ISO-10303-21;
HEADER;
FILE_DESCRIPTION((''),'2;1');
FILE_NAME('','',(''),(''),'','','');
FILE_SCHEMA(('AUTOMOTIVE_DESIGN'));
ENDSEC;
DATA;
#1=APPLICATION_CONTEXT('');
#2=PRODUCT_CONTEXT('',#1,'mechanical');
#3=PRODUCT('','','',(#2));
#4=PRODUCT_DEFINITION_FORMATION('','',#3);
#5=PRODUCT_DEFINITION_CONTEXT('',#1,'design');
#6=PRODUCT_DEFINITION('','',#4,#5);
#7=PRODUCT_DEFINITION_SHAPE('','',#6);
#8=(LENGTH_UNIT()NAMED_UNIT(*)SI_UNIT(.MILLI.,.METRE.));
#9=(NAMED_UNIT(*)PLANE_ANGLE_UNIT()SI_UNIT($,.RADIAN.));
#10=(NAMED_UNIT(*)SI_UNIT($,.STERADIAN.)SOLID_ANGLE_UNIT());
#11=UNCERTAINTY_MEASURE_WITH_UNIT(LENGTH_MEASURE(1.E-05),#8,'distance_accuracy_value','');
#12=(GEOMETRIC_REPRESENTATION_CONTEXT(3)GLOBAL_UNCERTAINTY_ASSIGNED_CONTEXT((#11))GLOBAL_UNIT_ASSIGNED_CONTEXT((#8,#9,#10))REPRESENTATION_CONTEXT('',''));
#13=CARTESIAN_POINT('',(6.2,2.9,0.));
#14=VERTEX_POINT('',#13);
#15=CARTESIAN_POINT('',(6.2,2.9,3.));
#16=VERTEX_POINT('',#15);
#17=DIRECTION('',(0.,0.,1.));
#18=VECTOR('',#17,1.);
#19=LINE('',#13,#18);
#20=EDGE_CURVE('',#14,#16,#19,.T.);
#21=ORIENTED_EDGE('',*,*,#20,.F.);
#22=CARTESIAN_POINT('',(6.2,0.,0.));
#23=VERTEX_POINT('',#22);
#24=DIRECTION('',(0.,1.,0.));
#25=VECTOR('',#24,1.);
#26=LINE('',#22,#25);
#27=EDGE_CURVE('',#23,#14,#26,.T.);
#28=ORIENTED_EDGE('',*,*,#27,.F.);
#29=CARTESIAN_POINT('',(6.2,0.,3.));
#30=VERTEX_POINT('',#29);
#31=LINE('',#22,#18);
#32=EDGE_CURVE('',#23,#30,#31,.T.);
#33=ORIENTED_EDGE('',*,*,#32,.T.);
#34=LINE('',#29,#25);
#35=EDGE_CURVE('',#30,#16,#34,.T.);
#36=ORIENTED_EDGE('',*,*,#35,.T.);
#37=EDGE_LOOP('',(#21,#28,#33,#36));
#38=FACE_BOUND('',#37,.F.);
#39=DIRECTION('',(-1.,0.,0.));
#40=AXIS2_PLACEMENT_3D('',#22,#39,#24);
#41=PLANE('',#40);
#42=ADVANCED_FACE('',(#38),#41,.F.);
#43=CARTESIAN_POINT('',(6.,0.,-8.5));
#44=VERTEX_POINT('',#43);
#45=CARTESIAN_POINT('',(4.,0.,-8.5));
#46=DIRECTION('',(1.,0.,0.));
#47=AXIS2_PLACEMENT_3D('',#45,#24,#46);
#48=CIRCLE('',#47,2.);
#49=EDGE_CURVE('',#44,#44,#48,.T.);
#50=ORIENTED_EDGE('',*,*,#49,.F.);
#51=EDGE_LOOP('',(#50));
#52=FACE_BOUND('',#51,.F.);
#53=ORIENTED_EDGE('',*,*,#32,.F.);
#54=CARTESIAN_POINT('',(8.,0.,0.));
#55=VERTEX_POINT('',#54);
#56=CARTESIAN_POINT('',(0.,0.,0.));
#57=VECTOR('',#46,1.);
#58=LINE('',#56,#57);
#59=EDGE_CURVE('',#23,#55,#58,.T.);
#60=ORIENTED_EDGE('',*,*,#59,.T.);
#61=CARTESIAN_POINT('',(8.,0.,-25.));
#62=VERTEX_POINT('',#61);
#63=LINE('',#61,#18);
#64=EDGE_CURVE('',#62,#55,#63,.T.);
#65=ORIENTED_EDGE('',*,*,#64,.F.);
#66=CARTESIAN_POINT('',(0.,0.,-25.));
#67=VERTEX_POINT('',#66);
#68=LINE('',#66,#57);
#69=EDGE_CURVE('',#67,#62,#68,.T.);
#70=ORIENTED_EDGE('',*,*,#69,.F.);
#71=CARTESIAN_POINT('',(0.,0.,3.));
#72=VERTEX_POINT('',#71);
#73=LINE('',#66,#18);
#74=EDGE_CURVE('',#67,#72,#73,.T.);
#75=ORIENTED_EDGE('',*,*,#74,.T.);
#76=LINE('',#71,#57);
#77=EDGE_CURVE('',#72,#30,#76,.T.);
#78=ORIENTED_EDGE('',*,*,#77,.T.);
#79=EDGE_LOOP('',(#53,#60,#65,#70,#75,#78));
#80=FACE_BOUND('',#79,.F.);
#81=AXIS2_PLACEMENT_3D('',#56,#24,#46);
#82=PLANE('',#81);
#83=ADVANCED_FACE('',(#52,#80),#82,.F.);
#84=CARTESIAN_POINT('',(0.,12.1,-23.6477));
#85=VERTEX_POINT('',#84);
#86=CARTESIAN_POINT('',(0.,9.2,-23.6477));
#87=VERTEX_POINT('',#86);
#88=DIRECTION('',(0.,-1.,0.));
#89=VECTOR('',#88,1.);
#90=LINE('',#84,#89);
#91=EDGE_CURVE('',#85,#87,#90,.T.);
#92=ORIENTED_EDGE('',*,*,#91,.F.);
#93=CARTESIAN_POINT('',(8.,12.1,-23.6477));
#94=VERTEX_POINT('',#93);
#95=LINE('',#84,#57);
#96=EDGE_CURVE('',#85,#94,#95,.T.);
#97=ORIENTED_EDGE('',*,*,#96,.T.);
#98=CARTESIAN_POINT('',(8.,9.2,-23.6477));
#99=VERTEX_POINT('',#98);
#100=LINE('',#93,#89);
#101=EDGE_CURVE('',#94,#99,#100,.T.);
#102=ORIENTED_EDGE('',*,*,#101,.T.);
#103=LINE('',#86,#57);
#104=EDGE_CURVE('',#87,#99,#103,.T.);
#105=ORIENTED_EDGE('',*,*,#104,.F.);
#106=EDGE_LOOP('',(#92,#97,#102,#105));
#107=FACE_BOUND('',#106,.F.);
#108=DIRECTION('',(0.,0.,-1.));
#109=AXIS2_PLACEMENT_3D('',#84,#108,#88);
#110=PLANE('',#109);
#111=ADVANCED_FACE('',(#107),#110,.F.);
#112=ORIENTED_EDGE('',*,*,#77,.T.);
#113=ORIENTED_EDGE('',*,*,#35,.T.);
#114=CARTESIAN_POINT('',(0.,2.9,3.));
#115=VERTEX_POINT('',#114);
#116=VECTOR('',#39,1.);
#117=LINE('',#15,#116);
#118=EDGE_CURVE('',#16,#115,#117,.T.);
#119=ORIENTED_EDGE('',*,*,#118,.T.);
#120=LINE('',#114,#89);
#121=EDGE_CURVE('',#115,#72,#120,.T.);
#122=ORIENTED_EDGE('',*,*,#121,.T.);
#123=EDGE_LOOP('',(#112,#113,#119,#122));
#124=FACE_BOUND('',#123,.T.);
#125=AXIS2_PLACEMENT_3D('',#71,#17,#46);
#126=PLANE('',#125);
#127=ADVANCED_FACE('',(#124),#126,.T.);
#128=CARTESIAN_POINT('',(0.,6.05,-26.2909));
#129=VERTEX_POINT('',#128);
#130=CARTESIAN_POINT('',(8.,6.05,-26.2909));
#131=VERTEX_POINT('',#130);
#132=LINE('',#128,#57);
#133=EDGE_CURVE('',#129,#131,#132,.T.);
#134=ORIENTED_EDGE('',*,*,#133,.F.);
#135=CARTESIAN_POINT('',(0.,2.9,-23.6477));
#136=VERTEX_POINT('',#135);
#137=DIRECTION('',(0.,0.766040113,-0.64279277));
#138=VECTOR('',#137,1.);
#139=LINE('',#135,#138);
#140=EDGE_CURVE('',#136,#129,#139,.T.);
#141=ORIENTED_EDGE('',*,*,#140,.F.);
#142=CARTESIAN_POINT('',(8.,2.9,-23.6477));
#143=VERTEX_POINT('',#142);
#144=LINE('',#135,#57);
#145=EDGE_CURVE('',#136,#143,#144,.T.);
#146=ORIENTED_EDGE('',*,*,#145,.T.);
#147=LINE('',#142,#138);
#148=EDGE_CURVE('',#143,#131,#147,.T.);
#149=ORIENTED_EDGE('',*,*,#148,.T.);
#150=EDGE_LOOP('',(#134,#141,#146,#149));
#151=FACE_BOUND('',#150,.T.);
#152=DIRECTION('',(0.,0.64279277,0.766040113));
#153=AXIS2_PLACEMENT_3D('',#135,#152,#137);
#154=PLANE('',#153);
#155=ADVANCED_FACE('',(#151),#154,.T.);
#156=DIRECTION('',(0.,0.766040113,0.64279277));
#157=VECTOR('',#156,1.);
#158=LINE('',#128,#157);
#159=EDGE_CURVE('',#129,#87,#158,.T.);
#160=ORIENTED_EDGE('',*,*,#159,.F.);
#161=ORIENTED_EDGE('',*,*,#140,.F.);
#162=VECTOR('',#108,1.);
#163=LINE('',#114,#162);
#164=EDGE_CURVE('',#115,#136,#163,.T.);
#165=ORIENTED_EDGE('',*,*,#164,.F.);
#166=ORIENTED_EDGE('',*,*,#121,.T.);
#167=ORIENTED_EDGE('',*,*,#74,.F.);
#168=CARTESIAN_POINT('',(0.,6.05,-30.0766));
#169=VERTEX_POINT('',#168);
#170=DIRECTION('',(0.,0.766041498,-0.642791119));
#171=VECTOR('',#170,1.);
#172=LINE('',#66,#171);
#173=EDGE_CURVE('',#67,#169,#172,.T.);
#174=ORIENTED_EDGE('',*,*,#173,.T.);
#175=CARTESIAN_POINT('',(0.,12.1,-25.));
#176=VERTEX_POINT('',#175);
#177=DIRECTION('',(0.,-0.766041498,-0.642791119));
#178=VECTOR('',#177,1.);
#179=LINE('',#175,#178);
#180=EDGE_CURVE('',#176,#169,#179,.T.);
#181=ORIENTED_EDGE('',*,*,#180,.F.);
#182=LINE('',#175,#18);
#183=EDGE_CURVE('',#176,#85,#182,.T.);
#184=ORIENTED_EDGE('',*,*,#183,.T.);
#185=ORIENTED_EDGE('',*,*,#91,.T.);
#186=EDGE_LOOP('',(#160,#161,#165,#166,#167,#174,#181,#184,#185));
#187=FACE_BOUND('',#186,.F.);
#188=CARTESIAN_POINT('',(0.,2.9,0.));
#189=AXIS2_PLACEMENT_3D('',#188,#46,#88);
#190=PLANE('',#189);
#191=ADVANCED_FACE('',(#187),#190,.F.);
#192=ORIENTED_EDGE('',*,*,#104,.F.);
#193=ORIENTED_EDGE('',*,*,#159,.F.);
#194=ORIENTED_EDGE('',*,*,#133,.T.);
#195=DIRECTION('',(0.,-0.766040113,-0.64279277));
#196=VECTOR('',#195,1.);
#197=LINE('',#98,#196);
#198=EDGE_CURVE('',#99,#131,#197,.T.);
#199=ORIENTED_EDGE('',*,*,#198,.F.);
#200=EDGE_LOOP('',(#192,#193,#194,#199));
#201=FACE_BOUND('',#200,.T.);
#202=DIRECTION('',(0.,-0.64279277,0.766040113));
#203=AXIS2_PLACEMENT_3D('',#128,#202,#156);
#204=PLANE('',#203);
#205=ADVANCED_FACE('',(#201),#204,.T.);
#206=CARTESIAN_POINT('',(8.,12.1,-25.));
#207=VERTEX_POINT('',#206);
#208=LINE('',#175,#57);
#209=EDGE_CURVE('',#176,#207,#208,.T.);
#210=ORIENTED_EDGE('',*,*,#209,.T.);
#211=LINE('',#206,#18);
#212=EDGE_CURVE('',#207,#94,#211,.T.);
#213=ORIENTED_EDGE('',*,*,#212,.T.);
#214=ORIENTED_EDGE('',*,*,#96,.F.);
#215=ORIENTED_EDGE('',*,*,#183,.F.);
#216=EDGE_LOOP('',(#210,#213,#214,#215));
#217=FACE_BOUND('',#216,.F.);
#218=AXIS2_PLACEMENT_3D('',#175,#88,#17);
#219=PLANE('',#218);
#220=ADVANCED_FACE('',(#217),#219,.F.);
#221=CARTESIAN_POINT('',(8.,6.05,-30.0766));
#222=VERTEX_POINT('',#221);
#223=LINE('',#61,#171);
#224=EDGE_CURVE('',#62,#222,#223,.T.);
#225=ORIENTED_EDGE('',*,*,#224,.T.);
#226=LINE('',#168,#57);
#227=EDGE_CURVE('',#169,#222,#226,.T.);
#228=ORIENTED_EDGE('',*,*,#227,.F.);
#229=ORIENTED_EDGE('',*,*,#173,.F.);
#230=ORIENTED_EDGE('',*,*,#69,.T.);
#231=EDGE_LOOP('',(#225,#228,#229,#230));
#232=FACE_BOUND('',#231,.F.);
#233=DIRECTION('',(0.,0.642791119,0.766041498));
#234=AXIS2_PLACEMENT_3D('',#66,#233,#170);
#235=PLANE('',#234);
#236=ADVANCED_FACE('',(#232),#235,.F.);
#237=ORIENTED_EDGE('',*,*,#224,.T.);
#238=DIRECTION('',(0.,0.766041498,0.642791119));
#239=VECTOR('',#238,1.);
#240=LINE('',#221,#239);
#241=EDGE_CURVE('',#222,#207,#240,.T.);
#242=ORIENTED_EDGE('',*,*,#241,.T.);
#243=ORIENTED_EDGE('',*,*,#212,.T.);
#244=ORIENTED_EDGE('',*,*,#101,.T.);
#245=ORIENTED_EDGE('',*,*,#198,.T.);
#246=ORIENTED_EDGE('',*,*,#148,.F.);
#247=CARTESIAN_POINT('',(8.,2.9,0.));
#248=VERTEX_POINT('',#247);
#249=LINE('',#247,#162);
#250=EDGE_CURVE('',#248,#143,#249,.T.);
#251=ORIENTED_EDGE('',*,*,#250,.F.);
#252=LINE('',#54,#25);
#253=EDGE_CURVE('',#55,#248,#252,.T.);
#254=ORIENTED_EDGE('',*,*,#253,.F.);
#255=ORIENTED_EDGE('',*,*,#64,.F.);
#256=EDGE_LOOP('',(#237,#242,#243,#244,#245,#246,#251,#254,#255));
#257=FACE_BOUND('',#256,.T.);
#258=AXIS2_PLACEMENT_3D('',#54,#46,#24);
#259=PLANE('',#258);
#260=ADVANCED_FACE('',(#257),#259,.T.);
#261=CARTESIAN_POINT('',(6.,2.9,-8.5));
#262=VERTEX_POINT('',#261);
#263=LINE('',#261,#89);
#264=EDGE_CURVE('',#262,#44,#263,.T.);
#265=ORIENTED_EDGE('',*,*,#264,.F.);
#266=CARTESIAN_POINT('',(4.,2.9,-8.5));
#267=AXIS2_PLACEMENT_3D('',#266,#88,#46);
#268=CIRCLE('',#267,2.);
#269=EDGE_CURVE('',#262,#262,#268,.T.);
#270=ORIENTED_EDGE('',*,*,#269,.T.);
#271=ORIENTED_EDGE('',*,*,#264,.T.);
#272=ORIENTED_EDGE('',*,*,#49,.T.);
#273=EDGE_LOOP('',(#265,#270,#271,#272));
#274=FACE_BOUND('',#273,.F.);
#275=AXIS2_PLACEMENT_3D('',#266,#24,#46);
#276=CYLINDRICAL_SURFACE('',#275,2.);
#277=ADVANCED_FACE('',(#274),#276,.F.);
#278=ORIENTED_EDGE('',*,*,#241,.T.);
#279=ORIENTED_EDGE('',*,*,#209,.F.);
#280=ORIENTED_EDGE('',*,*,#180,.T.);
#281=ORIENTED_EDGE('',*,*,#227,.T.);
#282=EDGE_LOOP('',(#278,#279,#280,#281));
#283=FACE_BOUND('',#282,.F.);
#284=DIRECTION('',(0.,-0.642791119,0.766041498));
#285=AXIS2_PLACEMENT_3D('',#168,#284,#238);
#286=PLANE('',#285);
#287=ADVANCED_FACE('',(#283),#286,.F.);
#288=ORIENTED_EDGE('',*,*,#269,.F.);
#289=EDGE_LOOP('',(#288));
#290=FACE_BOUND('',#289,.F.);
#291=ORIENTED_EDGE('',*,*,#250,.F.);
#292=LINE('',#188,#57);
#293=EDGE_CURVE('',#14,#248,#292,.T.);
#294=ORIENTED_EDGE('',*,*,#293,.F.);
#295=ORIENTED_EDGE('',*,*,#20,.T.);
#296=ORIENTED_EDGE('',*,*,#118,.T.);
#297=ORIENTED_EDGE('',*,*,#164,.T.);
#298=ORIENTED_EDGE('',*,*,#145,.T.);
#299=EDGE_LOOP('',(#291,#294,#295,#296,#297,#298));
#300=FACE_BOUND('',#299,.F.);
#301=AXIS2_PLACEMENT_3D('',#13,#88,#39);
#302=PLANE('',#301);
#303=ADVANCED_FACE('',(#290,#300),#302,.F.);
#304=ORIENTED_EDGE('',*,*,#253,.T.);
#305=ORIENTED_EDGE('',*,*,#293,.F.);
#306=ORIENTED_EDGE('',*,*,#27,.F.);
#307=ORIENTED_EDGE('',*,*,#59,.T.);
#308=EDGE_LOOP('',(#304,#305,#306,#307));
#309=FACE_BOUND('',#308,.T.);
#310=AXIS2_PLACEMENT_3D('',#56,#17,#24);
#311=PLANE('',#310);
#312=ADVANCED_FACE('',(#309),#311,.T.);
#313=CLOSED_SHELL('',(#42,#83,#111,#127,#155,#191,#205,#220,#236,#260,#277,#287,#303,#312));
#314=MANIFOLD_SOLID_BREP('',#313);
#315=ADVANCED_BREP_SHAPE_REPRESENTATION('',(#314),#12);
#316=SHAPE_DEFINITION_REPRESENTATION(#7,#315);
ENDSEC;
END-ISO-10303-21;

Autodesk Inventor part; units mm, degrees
ref_plane "YZ Plane" through (0, 0, 0) normal (1, 0, 0) x (0, 1, 0)
ref_plane "XZ Plane" through (0, 0, 0) normal (0, 1, 0) x (-1, 0, 0)
ref_plane "XY Plane" through (0, 0, 0) normal (0, 0, 1) x (1, 0, 0)
sketch "Sketch1" plane through (0, 0, 0) normal (1, 0, 0) x (0, 1, 0)
  line L0 (0, 0) -> (2.9, 0)
  line L1 (2.9, 0) -> (2.9, -25)
  line L2 (2.9, -25) -> (0, -25)
  line L3 (0, -25) -> (0, 0)
  line L4 (0, -25) -> (6.05, -30.0766)
  line L5 (2.9, -23.6477) -> (6.05, -26.2909)
  line L6 (6.05, -30.0766) -> (6.05, -26.2909)
  line L7 (6.05, -26.2909) -> (9.2, -23.6477)
  line L8 (6.05, -30.0766) -> (12.1, -25)
  line L9 (9.2, -27.4334) -> (9.2, -23.6477)
  line L10 (7.5884, -25) -> (12.1, -25)
  line L11 (12.1, -25) -> (12.1, -23.6477)
  line L12 (12.1, -23.6477) -> (9.2, -23.6477)
  dimension "d0" = 2.9
  dimension "d1" = 25
  dimension "d2" = 50
  dimension "d3" = 3.15
  dimension "d4" = 2.9
  dimension "d5" = 50
  dimension "d6" = 3.15
extrude "Extrusion1" add sketch "Sketch1" along normal blind 8
sketch "Sketch2" plane through (0, 0, 0) normal (0, 0, 1) x (1, 0, 0)
  line L0 (0, 0) -> (8, 0) projected
  line L1 (0, 0) -> (6.2, 0)
  line L2 (6.2, 0) -> (6.2, 2.9)
  line L3 (6.2, 2.9) -> (0, 2.9)
  line L4 (0, 2.9) -> (0, 0)
  dimension "d11" = 6.2
extrude "Extrusion2" add sketch "Sketch2" along normal blind 3
sketch "Sketch3" plane through (0, 2.9, -23.6477) normal (0, 1, 0) x (1, 0, 0)
  line L0 (6.2, -23.6477) -> (8, -23.6477) projected
  line L1 (0, -23.6477) -> (8, -23.6477)
  line L2 (4, -23.6477) -> (4, -15.1477)
  circle A0 centre (4, -15.1477) radius 2
  dimension "d14" = 8.5
  dimension "d15" = 4
extrude "Extrusion3" cut sketch "Sketch3" against normal through all
equation "\"d6\" = d3"
properties part number "Cap Pulley Support V2 Pt1" material "Thermoplastic Resin"
